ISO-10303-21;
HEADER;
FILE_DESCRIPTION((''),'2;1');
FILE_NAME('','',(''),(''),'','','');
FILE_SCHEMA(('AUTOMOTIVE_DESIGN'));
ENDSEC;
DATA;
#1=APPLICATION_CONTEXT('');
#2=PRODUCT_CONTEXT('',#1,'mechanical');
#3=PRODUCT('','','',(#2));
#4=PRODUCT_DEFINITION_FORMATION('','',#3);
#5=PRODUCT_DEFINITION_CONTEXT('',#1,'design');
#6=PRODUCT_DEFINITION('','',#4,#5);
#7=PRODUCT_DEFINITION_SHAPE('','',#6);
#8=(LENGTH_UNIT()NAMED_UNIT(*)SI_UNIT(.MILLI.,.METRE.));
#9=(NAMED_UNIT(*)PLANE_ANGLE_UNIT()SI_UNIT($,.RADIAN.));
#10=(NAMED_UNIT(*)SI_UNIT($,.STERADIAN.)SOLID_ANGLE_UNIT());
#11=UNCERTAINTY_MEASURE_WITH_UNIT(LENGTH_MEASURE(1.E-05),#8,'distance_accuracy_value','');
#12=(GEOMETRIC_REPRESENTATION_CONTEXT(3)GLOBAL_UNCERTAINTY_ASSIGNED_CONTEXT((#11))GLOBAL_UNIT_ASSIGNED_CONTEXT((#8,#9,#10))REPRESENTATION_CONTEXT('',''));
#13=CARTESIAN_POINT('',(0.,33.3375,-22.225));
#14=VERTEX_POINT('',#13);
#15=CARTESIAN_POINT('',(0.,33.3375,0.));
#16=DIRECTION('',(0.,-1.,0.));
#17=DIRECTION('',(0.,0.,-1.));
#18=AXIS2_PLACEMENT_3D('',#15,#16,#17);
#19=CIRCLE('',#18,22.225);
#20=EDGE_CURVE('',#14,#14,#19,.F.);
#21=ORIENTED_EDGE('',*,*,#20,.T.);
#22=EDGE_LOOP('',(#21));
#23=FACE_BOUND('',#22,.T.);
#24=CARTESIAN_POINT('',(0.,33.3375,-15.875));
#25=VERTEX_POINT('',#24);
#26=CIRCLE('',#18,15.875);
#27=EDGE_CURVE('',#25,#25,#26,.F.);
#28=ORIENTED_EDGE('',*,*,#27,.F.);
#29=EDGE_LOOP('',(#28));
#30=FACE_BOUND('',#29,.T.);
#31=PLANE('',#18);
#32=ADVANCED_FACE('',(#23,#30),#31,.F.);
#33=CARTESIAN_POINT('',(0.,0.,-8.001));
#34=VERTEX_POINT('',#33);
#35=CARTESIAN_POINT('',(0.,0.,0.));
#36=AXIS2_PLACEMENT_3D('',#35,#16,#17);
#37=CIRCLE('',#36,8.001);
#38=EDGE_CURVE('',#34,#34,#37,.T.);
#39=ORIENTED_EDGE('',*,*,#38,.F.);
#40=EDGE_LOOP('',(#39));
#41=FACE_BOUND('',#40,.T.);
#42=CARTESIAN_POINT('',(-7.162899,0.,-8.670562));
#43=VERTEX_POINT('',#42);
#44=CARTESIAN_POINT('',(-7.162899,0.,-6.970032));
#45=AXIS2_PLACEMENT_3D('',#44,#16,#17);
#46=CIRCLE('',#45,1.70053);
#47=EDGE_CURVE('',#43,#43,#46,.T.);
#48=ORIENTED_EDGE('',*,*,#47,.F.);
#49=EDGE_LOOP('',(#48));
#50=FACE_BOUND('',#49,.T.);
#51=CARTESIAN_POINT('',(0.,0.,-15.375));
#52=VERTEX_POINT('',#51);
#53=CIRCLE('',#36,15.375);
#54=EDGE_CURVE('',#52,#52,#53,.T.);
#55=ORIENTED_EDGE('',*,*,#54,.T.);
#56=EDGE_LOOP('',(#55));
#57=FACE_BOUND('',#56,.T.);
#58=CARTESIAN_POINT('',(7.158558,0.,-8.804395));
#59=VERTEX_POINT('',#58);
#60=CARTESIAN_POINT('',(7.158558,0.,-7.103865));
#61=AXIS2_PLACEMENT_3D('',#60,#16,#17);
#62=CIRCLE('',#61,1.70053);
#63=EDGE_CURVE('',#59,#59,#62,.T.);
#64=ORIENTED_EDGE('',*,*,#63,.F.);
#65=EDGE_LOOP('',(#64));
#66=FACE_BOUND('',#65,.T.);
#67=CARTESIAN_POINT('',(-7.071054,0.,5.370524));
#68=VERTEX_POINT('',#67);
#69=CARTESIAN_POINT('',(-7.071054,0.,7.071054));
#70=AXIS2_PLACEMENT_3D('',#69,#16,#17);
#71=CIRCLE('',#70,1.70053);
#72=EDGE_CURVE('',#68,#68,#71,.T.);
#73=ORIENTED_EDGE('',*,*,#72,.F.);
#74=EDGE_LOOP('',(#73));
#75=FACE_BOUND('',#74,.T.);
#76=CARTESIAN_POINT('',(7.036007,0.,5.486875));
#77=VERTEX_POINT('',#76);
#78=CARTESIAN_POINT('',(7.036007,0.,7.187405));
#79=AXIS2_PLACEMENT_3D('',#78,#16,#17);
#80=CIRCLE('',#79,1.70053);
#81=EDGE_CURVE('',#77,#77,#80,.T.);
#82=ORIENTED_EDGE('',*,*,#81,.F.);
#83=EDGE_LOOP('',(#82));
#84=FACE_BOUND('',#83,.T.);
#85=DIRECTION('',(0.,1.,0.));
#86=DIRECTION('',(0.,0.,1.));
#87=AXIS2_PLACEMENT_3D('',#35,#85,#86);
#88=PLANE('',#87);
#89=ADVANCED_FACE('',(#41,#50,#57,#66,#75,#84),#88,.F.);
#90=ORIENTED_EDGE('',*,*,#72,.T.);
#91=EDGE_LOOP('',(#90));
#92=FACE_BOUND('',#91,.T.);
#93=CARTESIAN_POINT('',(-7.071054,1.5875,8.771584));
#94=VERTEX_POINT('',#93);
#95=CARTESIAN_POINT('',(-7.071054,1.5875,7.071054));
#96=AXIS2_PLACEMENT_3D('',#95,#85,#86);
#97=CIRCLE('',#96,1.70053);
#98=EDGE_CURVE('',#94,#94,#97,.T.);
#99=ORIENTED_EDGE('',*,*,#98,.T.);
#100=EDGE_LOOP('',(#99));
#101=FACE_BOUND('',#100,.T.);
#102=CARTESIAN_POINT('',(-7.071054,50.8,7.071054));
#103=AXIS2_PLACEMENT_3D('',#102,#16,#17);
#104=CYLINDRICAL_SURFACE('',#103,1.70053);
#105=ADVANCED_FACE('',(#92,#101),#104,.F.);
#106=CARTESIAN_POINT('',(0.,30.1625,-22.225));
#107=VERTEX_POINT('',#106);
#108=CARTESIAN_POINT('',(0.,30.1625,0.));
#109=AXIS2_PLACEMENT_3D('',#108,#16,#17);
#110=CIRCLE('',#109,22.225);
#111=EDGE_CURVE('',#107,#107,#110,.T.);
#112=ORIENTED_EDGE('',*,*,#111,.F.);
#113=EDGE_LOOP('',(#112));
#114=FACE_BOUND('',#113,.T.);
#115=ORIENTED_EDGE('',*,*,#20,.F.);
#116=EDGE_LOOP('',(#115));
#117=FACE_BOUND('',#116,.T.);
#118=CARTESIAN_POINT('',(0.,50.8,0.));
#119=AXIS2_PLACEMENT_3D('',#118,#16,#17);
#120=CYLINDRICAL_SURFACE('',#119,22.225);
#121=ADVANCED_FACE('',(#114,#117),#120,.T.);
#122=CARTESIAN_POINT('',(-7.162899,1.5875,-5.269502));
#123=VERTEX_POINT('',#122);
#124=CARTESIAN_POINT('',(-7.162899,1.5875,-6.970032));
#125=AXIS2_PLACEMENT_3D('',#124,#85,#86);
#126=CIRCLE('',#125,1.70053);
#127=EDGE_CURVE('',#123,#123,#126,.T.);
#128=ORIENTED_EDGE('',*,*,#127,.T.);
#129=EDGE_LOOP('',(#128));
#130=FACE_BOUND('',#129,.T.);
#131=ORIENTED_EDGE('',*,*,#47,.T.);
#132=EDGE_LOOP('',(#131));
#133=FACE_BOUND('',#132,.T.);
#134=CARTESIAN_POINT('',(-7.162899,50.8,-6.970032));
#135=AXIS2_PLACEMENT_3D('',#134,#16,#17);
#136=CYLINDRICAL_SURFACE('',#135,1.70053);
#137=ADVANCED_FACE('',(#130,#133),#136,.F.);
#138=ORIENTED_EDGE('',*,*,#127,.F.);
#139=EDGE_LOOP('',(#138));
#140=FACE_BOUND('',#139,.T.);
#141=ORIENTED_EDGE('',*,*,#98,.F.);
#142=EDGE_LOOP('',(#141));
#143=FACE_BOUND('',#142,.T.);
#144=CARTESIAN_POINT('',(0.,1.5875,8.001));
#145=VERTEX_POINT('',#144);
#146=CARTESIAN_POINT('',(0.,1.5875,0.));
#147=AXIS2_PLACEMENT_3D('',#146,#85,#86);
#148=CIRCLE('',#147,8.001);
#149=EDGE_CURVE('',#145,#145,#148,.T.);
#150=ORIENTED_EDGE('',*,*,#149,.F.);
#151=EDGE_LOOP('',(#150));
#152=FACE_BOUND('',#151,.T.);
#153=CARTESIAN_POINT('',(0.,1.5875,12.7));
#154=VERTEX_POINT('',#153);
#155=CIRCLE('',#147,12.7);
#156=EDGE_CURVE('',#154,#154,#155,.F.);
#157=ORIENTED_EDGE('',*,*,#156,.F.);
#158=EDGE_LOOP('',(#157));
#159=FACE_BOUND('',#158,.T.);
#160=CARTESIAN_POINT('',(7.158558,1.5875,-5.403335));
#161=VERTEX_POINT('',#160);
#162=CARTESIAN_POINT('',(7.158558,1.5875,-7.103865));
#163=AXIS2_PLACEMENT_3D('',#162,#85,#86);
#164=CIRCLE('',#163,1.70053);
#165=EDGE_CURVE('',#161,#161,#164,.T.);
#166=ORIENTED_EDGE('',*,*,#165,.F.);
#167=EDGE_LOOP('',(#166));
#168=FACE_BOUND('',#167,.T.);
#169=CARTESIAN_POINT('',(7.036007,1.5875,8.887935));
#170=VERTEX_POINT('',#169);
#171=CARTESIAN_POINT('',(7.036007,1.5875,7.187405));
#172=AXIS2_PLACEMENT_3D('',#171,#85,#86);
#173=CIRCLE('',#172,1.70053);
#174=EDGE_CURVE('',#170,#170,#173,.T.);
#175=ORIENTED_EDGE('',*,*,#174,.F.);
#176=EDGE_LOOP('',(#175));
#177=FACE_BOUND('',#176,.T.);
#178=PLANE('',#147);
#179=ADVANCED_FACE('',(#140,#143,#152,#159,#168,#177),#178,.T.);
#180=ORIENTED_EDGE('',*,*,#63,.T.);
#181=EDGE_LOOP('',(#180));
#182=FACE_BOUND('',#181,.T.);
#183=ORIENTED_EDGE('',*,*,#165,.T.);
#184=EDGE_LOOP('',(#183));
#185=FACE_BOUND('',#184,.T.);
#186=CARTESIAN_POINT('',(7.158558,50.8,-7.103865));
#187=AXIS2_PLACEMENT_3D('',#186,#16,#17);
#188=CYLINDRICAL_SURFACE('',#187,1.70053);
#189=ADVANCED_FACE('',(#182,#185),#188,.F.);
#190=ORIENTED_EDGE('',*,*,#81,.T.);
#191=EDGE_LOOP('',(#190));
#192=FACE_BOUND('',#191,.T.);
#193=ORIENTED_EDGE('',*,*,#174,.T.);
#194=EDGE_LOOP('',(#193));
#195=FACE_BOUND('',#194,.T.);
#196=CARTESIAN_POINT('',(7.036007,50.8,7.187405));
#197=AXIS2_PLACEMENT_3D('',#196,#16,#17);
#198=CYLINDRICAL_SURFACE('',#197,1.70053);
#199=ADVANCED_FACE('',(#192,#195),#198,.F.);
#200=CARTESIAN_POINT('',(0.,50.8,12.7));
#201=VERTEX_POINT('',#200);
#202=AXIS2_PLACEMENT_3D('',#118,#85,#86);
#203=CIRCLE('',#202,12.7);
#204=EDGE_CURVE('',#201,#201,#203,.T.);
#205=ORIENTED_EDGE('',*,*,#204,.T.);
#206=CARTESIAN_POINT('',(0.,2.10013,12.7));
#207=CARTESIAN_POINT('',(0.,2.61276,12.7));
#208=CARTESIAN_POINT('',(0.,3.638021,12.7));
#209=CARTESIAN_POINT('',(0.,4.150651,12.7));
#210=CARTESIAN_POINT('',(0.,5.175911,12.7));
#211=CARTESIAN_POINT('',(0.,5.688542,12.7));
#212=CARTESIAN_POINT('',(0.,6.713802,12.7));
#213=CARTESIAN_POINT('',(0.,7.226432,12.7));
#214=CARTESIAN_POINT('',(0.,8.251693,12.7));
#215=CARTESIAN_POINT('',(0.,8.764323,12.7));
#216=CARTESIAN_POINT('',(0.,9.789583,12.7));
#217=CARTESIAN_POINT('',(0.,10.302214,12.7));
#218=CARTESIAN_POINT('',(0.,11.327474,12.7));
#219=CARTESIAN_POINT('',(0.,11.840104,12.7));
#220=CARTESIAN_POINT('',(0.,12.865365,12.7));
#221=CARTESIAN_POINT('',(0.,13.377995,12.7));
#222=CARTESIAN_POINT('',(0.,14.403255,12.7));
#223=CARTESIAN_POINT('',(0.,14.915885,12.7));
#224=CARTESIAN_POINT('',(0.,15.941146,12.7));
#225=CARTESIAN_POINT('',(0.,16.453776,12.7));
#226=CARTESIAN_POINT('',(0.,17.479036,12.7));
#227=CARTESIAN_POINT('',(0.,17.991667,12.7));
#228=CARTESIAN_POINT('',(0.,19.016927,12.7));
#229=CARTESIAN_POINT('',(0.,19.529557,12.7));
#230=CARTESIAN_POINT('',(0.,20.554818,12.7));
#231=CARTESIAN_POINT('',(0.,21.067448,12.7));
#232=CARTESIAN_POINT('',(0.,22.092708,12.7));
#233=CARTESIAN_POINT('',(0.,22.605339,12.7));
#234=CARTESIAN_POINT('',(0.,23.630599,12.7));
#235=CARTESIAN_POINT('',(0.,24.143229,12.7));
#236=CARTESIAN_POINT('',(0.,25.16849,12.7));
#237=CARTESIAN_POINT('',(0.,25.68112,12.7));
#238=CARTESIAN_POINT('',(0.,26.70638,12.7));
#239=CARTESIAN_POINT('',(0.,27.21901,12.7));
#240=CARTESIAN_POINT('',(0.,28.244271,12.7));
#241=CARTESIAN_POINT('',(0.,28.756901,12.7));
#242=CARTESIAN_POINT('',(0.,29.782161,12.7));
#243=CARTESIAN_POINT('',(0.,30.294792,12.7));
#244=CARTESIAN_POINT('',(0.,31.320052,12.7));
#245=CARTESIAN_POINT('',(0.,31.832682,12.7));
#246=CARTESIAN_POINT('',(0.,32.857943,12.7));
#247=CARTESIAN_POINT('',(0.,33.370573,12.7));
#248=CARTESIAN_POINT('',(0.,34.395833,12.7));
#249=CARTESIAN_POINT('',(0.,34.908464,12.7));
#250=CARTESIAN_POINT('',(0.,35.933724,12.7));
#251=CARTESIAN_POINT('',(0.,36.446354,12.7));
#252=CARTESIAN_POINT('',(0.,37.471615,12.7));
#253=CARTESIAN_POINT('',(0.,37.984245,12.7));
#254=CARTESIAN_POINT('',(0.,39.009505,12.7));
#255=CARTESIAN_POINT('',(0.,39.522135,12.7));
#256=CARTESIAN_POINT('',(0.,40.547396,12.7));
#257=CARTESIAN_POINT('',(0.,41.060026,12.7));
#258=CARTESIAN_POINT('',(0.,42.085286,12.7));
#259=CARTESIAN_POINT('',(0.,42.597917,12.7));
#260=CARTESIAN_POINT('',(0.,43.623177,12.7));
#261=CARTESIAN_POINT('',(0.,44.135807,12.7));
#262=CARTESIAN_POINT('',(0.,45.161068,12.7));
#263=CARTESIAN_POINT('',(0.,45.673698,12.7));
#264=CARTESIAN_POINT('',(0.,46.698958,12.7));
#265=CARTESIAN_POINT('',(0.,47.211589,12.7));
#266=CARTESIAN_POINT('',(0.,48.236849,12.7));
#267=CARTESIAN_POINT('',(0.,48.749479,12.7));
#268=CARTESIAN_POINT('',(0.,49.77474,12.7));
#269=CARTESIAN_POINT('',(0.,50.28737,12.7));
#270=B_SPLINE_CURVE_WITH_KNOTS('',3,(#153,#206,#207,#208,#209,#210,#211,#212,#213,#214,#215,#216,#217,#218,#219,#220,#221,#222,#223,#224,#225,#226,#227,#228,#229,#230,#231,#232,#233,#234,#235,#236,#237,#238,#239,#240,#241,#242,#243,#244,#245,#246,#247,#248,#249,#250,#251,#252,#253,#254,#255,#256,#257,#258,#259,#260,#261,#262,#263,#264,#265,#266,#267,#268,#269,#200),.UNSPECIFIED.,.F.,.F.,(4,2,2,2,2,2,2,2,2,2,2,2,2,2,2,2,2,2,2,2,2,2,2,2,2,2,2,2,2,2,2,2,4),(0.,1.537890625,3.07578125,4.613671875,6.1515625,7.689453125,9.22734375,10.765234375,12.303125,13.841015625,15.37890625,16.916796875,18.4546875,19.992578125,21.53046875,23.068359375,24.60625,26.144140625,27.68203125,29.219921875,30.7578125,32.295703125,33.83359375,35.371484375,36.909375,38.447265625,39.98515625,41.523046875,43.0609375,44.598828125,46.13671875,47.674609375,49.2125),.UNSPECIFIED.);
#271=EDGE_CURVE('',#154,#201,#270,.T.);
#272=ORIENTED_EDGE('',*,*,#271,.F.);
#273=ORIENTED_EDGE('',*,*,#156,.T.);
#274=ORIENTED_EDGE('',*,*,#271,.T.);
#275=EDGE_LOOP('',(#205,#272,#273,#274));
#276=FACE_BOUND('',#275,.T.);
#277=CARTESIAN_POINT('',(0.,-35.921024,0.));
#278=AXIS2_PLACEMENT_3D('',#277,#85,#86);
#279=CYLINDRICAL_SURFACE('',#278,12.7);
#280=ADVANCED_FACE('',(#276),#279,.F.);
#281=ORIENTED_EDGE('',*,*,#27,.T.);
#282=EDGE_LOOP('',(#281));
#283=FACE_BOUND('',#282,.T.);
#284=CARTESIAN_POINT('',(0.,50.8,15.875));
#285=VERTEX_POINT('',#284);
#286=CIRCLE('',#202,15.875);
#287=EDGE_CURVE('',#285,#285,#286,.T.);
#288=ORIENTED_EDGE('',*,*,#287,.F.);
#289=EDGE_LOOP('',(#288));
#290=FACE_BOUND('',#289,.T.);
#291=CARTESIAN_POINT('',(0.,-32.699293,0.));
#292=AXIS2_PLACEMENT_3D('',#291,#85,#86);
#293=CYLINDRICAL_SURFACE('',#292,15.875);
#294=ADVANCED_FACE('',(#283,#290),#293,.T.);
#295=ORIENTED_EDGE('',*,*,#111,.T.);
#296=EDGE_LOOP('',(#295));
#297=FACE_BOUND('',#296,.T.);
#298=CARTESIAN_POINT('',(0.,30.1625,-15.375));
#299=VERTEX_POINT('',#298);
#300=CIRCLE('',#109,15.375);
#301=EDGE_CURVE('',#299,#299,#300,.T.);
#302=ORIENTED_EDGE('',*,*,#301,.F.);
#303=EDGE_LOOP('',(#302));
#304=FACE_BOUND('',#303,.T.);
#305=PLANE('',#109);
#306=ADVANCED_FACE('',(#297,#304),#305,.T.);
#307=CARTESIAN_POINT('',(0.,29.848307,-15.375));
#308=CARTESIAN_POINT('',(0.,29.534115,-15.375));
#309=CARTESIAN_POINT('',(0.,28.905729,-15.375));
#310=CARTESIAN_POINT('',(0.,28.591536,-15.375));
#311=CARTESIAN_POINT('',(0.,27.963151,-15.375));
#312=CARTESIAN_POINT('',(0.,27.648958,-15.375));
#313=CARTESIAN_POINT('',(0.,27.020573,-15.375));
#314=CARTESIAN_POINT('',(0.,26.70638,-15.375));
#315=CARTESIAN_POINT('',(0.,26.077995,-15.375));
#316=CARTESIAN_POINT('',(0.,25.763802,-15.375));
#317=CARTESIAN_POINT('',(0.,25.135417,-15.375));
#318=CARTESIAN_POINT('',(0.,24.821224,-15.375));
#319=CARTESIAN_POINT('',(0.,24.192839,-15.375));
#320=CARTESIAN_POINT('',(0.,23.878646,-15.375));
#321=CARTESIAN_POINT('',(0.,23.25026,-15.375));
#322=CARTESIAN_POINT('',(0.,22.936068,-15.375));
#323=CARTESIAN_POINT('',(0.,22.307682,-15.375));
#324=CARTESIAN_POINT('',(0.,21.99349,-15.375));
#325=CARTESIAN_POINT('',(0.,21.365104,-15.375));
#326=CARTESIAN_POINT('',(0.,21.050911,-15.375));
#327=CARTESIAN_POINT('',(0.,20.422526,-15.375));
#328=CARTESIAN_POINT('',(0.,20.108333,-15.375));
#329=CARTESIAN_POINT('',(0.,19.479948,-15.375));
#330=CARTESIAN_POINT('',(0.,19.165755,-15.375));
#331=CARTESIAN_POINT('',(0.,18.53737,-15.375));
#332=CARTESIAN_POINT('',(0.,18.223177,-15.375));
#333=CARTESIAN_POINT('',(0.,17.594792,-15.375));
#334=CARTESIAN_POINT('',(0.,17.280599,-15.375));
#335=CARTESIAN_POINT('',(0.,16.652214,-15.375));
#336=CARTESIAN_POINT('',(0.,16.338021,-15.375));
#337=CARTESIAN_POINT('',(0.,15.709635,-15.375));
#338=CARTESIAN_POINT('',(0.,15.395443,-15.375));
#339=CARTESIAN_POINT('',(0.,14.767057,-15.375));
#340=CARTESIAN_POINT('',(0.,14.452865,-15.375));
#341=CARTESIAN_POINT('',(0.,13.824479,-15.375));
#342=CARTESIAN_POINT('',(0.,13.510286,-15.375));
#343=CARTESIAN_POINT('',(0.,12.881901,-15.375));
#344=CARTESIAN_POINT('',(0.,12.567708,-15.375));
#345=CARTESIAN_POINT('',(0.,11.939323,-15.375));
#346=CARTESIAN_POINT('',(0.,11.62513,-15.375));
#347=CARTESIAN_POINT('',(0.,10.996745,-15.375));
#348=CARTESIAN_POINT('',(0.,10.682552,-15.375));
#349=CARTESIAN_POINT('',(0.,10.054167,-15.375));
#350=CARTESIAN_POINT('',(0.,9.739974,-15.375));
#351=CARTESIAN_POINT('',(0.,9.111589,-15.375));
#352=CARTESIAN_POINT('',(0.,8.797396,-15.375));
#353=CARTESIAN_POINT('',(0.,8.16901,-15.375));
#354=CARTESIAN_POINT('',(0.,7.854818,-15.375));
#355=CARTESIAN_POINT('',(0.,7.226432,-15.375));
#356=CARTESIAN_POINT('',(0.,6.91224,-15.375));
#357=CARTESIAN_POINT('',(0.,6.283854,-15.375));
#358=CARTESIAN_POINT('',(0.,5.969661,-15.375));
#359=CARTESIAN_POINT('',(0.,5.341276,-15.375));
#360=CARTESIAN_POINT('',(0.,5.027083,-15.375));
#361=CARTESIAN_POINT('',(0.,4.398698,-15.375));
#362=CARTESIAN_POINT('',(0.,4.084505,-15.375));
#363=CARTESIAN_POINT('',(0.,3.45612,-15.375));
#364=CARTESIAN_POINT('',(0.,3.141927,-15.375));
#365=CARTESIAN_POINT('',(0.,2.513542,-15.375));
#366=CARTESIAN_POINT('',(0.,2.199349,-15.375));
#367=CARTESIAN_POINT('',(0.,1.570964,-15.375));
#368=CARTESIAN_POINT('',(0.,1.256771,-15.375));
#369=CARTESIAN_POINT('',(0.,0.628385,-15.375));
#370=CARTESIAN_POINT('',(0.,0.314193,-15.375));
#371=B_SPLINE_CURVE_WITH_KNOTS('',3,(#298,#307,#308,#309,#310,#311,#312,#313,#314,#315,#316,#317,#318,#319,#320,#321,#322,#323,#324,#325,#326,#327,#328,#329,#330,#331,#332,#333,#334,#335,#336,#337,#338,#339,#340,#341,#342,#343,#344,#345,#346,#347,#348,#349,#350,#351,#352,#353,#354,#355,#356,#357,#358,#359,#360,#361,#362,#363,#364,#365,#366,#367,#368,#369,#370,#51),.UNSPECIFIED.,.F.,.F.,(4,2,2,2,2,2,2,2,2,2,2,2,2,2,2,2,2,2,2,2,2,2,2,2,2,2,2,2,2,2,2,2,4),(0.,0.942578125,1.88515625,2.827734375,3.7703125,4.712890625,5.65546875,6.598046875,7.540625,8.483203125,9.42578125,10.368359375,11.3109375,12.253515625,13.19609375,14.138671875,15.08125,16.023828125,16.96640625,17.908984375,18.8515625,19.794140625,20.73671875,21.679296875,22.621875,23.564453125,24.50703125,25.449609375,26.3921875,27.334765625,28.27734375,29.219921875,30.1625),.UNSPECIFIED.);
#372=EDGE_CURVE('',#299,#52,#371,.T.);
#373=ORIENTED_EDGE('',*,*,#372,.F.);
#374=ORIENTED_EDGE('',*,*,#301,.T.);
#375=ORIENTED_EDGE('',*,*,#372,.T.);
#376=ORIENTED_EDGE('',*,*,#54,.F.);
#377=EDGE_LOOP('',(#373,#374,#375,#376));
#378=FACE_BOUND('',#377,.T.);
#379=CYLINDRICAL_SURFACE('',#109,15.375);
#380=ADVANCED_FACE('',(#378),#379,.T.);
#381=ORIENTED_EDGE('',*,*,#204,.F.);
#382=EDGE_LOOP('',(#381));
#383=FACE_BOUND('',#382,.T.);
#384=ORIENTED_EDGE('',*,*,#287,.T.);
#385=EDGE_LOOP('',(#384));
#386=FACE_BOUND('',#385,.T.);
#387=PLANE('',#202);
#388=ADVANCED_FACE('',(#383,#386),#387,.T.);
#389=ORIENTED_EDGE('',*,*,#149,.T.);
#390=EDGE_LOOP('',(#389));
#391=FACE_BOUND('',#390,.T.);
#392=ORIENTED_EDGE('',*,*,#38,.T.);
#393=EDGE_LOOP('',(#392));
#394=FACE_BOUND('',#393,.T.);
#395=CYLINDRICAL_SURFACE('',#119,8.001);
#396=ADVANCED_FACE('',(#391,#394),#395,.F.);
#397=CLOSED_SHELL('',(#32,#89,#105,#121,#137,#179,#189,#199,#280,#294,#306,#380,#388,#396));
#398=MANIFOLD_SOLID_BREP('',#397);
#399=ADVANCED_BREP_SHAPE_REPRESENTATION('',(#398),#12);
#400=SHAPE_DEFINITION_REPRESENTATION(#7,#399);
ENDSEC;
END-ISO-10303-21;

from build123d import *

# Parameters (mm, degrees)
SKETCH1_R             = 22.225
BOSS_EXTRUDE1_DEPTH   = 50.8
SKETCH2_R             = 22.225
SKETCH2_R_2           = 15.375
CUT_EXTRUDE1_DEPTH    = 30.1625
SKETCH3_R             = 12.7
CUT_EXTRUDE2_DEPTH    = 49.2125
CUT_EXTRUDE3_START    = -17.4625
SKETCH5_R             = 22.225
SKETCH5_R_2           = 15.875
CUT_EXTRUDE3_DEPTH    = 17.4625
SKETCH6_R             = 8.001
SKETCH6_R_2           = 1.70053
MOTORINTERFACFE_DEPTH = 60.737268518


with BuildPart() as part:
    # Sketch1 → Boss-Extrude1 (new body)
    with BuildSketch(Plane(origin=(0, 0, 0), x_dir=(1, 0, 0), z_dir=(0, 1, 0))):
        with Locations(Location((0, 0, 0), (0, 0, 270))):
            Circle(SKETCH1_R)
    extrude(amount=BOSS_EXTRUDE1_DEPTH)

    # Sketch2 → Cut-Extrude1 (cut)
    with BuildSketch(Plane.XZ):
        with Locations(Location((0, 0, 0), (0, 0, 270))):
            Circle(SKETCH2_R)
        with Locations(Location((0, 0, 0), (0, 0, 270))):
            Circle(SKETCH2_R_2, mode=Mode.SUBTRACT)
    extrude(amount=-CUT_EXTRUDE1_DEPTH, mode=Mode.SUBTRACT)

    # Sketch3 → Cut-Extrude2 (cut)
    with BuildSketch(Plane(origin=(0, 50.8, 0), x_dir=(1, 0, 0), z_dir=(0, 1, 0))):
        with Locations(Location((0, 0, 0), (0, 0, 270))):
            Circle(SKETCH3_R)
    extrude(amount=-CUT_EXTRUDE2_DEPTH, mode=Mode.SUBTRACT)

    # Sketch5 → Cut-Extrude3 (cut)
    with BuildSketch(Plane(origin=(0, 50.8, 0), x_dir=(1, 0, 0), z_dir=(0, 1, 0)).offset(CUT_EXTRUDE3_START)):
        with Locations(Location((0, 0, 0), (0, 0, 90))):
            Circle(SKETCH5_R)
        with Locations(Location((0, 0, 0), (0, 0, 270))):
            Circle(SKETCH5_R_2, mode=Mode.SUBTRACT)
    extrude(amount=CUT_EXTRUDE3_DEPTH, mode=Mode.SUBTRACT)

    # Sketch6 → MotorInterfacfe (cut, through all)
    with BuildSketch(Plane.XZ):
        with Locations(Location((0, 0, 0), (0, 0, 270))):
            Circle(SKETCH6_R)
        with Locations(Location((-7.07105367, 7.07105367, 0), (0, 0, 270))):
            Circle(SKETCH6_R_2)
        with Locations(Location((-7.162899066, -6.970031681, 0), (0, 0, 270))):
            Circle(SKETCH6_R_2)
        with Locations(Location((7.158557907, -7.103864696, 0), (0, 0, 270))):
            Circle(SKETCH6_R_2)
        with Locations(Location((7.036006619, 7.187404798, 0), (0, 0, 270))):
            Circle(SKETCH6_R_2)
    extrude(amount=-MOTORINTERFACFE_DEPTH, mode=Mode.SUBTRACT)


solid = part.part
